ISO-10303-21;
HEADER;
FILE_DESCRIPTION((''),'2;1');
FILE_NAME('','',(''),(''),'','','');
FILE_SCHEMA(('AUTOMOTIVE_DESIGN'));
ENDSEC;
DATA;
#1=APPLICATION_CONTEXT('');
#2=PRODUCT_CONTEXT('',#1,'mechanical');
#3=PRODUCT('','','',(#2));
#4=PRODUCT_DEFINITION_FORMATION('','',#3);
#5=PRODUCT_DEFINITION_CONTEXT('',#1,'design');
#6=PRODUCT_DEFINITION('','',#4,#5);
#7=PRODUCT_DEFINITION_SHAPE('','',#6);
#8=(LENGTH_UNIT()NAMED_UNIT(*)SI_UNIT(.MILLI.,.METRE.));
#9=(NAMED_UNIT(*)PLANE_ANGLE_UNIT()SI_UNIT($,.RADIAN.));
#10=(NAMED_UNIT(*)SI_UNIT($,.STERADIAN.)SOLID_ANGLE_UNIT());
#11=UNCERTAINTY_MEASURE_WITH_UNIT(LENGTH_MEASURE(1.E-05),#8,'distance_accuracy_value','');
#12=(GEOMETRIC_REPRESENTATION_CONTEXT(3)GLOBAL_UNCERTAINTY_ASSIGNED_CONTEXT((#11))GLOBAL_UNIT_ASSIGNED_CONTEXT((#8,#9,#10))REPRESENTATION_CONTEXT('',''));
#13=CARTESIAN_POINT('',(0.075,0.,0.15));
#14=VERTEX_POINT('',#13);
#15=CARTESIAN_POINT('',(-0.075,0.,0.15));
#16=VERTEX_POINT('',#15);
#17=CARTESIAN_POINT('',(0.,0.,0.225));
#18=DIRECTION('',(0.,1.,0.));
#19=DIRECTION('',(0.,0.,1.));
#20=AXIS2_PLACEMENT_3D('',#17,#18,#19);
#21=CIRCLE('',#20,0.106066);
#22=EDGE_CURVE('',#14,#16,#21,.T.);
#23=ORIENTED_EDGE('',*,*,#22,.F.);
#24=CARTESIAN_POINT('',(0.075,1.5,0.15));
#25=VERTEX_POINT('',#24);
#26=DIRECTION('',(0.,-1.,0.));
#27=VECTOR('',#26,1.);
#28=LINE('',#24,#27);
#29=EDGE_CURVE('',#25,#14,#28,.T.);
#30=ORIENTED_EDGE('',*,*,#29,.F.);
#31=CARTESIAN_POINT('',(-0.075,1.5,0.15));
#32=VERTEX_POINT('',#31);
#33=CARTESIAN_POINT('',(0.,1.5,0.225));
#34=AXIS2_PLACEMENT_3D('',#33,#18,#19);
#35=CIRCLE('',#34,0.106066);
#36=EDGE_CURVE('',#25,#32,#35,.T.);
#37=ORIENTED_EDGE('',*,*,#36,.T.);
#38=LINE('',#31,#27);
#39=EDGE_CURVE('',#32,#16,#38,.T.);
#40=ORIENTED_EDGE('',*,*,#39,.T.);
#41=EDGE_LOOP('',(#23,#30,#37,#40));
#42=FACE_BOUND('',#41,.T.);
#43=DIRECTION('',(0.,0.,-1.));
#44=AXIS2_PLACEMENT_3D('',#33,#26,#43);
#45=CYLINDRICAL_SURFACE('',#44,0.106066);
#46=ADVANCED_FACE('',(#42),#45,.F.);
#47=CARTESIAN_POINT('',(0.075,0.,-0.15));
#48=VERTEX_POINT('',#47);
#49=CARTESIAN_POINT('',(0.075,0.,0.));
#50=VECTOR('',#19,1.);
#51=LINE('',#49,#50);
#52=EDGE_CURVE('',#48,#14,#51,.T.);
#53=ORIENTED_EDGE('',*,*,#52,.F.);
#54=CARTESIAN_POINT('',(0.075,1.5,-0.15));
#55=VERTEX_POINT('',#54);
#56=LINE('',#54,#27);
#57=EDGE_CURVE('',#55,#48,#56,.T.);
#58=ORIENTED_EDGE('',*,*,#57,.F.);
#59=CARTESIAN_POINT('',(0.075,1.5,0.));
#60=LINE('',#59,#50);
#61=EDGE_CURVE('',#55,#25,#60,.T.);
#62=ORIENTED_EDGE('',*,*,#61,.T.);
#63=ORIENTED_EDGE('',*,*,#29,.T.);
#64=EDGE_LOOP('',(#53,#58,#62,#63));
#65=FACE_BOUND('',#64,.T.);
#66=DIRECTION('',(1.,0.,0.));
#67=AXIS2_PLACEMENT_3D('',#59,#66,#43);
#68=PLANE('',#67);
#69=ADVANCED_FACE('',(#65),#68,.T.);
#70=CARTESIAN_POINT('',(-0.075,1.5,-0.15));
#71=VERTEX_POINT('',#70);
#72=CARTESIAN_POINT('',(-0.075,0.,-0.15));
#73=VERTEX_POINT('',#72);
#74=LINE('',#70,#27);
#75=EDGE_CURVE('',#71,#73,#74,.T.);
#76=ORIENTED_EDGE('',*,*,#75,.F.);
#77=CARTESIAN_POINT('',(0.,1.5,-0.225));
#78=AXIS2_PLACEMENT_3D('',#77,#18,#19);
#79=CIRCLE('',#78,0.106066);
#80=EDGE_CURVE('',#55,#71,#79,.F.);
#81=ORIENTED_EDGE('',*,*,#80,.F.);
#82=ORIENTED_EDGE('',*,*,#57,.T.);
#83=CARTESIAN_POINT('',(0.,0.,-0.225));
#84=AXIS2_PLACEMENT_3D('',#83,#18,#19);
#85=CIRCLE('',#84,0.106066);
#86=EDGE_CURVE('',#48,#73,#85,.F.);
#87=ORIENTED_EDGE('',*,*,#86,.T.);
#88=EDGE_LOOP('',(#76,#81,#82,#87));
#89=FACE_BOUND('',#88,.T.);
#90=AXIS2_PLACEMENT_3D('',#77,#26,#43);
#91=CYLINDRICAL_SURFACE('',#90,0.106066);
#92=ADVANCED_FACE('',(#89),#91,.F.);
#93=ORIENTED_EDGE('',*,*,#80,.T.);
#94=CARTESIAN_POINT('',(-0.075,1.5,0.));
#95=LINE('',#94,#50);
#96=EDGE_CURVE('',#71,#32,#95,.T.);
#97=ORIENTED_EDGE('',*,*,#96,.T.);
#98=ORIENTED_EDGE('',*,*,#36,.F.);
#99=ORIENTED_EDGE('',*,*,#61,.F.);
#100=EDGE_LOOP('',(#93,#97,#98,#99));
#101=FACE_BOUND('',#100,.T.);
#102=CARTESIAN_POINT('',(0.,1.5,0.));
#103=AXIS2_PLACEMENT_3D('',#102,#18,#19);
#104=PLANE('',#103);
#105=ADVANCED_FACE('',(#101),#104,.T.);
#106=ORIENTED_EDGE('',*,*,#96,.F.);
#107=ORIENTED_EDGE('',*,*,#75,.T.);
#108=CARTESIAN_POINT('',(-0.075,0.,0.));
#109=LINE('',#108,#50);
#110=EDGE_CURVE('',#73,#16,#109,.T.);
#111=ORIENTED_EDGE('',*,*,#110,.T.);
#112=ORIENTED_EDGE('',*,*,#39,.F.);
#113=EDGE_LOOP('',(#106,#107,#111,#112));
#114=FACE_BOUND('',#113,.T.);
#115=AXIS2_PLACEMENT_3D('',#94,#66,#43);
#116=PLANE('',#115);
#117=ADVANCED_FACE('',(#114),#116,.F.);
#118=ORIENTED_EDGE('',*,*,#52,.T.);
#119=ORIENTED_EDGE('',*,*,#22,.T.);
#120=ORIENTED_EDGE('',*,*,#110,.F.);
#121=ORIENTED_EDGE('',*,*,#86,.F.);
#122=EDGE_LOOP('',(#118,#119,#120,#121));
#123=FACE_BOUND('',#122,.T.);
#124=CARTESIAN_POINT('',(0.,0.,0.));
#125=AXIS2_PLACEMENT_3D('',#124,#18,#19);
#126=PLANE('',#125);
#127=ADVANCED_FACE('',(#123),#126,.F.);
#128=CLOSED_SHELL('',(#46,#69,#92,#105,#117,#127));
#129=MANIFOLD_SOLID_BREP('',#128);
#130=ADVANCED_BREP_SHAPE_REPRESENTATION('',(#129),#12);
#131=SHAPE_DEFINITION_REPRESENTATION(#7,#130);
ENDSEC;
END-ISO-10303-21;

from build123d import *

# Parameters (mm, degrees)
BOSS_EXTRUDE1_DEPTH = 1.5


with BuildPart() as part:
    # Sketch1 → Boss-Extrude1 (new body)
    with BuildSketch(Plane(origin=(0, 0, 0), x_dir=(1, 0, 0), z_dir=(0, 1, 0))):
        with BuildLine():
            Line((-0.075, 0.15), (-0.075, -0.15))
            ThreePointArc((-0.075, -0.15), (0, -0.118933983), (0.075, -0.15))
            Line((0.075, -0.15), (0.075, 0.15))
            ThreePointArc((0.075, 0.15), (0, 0.118933983), (-0.075, 0.15))
        make_face()
    extrude(amount=BOSS_EXTRUDE1_DEPTH)


solid = part.part
